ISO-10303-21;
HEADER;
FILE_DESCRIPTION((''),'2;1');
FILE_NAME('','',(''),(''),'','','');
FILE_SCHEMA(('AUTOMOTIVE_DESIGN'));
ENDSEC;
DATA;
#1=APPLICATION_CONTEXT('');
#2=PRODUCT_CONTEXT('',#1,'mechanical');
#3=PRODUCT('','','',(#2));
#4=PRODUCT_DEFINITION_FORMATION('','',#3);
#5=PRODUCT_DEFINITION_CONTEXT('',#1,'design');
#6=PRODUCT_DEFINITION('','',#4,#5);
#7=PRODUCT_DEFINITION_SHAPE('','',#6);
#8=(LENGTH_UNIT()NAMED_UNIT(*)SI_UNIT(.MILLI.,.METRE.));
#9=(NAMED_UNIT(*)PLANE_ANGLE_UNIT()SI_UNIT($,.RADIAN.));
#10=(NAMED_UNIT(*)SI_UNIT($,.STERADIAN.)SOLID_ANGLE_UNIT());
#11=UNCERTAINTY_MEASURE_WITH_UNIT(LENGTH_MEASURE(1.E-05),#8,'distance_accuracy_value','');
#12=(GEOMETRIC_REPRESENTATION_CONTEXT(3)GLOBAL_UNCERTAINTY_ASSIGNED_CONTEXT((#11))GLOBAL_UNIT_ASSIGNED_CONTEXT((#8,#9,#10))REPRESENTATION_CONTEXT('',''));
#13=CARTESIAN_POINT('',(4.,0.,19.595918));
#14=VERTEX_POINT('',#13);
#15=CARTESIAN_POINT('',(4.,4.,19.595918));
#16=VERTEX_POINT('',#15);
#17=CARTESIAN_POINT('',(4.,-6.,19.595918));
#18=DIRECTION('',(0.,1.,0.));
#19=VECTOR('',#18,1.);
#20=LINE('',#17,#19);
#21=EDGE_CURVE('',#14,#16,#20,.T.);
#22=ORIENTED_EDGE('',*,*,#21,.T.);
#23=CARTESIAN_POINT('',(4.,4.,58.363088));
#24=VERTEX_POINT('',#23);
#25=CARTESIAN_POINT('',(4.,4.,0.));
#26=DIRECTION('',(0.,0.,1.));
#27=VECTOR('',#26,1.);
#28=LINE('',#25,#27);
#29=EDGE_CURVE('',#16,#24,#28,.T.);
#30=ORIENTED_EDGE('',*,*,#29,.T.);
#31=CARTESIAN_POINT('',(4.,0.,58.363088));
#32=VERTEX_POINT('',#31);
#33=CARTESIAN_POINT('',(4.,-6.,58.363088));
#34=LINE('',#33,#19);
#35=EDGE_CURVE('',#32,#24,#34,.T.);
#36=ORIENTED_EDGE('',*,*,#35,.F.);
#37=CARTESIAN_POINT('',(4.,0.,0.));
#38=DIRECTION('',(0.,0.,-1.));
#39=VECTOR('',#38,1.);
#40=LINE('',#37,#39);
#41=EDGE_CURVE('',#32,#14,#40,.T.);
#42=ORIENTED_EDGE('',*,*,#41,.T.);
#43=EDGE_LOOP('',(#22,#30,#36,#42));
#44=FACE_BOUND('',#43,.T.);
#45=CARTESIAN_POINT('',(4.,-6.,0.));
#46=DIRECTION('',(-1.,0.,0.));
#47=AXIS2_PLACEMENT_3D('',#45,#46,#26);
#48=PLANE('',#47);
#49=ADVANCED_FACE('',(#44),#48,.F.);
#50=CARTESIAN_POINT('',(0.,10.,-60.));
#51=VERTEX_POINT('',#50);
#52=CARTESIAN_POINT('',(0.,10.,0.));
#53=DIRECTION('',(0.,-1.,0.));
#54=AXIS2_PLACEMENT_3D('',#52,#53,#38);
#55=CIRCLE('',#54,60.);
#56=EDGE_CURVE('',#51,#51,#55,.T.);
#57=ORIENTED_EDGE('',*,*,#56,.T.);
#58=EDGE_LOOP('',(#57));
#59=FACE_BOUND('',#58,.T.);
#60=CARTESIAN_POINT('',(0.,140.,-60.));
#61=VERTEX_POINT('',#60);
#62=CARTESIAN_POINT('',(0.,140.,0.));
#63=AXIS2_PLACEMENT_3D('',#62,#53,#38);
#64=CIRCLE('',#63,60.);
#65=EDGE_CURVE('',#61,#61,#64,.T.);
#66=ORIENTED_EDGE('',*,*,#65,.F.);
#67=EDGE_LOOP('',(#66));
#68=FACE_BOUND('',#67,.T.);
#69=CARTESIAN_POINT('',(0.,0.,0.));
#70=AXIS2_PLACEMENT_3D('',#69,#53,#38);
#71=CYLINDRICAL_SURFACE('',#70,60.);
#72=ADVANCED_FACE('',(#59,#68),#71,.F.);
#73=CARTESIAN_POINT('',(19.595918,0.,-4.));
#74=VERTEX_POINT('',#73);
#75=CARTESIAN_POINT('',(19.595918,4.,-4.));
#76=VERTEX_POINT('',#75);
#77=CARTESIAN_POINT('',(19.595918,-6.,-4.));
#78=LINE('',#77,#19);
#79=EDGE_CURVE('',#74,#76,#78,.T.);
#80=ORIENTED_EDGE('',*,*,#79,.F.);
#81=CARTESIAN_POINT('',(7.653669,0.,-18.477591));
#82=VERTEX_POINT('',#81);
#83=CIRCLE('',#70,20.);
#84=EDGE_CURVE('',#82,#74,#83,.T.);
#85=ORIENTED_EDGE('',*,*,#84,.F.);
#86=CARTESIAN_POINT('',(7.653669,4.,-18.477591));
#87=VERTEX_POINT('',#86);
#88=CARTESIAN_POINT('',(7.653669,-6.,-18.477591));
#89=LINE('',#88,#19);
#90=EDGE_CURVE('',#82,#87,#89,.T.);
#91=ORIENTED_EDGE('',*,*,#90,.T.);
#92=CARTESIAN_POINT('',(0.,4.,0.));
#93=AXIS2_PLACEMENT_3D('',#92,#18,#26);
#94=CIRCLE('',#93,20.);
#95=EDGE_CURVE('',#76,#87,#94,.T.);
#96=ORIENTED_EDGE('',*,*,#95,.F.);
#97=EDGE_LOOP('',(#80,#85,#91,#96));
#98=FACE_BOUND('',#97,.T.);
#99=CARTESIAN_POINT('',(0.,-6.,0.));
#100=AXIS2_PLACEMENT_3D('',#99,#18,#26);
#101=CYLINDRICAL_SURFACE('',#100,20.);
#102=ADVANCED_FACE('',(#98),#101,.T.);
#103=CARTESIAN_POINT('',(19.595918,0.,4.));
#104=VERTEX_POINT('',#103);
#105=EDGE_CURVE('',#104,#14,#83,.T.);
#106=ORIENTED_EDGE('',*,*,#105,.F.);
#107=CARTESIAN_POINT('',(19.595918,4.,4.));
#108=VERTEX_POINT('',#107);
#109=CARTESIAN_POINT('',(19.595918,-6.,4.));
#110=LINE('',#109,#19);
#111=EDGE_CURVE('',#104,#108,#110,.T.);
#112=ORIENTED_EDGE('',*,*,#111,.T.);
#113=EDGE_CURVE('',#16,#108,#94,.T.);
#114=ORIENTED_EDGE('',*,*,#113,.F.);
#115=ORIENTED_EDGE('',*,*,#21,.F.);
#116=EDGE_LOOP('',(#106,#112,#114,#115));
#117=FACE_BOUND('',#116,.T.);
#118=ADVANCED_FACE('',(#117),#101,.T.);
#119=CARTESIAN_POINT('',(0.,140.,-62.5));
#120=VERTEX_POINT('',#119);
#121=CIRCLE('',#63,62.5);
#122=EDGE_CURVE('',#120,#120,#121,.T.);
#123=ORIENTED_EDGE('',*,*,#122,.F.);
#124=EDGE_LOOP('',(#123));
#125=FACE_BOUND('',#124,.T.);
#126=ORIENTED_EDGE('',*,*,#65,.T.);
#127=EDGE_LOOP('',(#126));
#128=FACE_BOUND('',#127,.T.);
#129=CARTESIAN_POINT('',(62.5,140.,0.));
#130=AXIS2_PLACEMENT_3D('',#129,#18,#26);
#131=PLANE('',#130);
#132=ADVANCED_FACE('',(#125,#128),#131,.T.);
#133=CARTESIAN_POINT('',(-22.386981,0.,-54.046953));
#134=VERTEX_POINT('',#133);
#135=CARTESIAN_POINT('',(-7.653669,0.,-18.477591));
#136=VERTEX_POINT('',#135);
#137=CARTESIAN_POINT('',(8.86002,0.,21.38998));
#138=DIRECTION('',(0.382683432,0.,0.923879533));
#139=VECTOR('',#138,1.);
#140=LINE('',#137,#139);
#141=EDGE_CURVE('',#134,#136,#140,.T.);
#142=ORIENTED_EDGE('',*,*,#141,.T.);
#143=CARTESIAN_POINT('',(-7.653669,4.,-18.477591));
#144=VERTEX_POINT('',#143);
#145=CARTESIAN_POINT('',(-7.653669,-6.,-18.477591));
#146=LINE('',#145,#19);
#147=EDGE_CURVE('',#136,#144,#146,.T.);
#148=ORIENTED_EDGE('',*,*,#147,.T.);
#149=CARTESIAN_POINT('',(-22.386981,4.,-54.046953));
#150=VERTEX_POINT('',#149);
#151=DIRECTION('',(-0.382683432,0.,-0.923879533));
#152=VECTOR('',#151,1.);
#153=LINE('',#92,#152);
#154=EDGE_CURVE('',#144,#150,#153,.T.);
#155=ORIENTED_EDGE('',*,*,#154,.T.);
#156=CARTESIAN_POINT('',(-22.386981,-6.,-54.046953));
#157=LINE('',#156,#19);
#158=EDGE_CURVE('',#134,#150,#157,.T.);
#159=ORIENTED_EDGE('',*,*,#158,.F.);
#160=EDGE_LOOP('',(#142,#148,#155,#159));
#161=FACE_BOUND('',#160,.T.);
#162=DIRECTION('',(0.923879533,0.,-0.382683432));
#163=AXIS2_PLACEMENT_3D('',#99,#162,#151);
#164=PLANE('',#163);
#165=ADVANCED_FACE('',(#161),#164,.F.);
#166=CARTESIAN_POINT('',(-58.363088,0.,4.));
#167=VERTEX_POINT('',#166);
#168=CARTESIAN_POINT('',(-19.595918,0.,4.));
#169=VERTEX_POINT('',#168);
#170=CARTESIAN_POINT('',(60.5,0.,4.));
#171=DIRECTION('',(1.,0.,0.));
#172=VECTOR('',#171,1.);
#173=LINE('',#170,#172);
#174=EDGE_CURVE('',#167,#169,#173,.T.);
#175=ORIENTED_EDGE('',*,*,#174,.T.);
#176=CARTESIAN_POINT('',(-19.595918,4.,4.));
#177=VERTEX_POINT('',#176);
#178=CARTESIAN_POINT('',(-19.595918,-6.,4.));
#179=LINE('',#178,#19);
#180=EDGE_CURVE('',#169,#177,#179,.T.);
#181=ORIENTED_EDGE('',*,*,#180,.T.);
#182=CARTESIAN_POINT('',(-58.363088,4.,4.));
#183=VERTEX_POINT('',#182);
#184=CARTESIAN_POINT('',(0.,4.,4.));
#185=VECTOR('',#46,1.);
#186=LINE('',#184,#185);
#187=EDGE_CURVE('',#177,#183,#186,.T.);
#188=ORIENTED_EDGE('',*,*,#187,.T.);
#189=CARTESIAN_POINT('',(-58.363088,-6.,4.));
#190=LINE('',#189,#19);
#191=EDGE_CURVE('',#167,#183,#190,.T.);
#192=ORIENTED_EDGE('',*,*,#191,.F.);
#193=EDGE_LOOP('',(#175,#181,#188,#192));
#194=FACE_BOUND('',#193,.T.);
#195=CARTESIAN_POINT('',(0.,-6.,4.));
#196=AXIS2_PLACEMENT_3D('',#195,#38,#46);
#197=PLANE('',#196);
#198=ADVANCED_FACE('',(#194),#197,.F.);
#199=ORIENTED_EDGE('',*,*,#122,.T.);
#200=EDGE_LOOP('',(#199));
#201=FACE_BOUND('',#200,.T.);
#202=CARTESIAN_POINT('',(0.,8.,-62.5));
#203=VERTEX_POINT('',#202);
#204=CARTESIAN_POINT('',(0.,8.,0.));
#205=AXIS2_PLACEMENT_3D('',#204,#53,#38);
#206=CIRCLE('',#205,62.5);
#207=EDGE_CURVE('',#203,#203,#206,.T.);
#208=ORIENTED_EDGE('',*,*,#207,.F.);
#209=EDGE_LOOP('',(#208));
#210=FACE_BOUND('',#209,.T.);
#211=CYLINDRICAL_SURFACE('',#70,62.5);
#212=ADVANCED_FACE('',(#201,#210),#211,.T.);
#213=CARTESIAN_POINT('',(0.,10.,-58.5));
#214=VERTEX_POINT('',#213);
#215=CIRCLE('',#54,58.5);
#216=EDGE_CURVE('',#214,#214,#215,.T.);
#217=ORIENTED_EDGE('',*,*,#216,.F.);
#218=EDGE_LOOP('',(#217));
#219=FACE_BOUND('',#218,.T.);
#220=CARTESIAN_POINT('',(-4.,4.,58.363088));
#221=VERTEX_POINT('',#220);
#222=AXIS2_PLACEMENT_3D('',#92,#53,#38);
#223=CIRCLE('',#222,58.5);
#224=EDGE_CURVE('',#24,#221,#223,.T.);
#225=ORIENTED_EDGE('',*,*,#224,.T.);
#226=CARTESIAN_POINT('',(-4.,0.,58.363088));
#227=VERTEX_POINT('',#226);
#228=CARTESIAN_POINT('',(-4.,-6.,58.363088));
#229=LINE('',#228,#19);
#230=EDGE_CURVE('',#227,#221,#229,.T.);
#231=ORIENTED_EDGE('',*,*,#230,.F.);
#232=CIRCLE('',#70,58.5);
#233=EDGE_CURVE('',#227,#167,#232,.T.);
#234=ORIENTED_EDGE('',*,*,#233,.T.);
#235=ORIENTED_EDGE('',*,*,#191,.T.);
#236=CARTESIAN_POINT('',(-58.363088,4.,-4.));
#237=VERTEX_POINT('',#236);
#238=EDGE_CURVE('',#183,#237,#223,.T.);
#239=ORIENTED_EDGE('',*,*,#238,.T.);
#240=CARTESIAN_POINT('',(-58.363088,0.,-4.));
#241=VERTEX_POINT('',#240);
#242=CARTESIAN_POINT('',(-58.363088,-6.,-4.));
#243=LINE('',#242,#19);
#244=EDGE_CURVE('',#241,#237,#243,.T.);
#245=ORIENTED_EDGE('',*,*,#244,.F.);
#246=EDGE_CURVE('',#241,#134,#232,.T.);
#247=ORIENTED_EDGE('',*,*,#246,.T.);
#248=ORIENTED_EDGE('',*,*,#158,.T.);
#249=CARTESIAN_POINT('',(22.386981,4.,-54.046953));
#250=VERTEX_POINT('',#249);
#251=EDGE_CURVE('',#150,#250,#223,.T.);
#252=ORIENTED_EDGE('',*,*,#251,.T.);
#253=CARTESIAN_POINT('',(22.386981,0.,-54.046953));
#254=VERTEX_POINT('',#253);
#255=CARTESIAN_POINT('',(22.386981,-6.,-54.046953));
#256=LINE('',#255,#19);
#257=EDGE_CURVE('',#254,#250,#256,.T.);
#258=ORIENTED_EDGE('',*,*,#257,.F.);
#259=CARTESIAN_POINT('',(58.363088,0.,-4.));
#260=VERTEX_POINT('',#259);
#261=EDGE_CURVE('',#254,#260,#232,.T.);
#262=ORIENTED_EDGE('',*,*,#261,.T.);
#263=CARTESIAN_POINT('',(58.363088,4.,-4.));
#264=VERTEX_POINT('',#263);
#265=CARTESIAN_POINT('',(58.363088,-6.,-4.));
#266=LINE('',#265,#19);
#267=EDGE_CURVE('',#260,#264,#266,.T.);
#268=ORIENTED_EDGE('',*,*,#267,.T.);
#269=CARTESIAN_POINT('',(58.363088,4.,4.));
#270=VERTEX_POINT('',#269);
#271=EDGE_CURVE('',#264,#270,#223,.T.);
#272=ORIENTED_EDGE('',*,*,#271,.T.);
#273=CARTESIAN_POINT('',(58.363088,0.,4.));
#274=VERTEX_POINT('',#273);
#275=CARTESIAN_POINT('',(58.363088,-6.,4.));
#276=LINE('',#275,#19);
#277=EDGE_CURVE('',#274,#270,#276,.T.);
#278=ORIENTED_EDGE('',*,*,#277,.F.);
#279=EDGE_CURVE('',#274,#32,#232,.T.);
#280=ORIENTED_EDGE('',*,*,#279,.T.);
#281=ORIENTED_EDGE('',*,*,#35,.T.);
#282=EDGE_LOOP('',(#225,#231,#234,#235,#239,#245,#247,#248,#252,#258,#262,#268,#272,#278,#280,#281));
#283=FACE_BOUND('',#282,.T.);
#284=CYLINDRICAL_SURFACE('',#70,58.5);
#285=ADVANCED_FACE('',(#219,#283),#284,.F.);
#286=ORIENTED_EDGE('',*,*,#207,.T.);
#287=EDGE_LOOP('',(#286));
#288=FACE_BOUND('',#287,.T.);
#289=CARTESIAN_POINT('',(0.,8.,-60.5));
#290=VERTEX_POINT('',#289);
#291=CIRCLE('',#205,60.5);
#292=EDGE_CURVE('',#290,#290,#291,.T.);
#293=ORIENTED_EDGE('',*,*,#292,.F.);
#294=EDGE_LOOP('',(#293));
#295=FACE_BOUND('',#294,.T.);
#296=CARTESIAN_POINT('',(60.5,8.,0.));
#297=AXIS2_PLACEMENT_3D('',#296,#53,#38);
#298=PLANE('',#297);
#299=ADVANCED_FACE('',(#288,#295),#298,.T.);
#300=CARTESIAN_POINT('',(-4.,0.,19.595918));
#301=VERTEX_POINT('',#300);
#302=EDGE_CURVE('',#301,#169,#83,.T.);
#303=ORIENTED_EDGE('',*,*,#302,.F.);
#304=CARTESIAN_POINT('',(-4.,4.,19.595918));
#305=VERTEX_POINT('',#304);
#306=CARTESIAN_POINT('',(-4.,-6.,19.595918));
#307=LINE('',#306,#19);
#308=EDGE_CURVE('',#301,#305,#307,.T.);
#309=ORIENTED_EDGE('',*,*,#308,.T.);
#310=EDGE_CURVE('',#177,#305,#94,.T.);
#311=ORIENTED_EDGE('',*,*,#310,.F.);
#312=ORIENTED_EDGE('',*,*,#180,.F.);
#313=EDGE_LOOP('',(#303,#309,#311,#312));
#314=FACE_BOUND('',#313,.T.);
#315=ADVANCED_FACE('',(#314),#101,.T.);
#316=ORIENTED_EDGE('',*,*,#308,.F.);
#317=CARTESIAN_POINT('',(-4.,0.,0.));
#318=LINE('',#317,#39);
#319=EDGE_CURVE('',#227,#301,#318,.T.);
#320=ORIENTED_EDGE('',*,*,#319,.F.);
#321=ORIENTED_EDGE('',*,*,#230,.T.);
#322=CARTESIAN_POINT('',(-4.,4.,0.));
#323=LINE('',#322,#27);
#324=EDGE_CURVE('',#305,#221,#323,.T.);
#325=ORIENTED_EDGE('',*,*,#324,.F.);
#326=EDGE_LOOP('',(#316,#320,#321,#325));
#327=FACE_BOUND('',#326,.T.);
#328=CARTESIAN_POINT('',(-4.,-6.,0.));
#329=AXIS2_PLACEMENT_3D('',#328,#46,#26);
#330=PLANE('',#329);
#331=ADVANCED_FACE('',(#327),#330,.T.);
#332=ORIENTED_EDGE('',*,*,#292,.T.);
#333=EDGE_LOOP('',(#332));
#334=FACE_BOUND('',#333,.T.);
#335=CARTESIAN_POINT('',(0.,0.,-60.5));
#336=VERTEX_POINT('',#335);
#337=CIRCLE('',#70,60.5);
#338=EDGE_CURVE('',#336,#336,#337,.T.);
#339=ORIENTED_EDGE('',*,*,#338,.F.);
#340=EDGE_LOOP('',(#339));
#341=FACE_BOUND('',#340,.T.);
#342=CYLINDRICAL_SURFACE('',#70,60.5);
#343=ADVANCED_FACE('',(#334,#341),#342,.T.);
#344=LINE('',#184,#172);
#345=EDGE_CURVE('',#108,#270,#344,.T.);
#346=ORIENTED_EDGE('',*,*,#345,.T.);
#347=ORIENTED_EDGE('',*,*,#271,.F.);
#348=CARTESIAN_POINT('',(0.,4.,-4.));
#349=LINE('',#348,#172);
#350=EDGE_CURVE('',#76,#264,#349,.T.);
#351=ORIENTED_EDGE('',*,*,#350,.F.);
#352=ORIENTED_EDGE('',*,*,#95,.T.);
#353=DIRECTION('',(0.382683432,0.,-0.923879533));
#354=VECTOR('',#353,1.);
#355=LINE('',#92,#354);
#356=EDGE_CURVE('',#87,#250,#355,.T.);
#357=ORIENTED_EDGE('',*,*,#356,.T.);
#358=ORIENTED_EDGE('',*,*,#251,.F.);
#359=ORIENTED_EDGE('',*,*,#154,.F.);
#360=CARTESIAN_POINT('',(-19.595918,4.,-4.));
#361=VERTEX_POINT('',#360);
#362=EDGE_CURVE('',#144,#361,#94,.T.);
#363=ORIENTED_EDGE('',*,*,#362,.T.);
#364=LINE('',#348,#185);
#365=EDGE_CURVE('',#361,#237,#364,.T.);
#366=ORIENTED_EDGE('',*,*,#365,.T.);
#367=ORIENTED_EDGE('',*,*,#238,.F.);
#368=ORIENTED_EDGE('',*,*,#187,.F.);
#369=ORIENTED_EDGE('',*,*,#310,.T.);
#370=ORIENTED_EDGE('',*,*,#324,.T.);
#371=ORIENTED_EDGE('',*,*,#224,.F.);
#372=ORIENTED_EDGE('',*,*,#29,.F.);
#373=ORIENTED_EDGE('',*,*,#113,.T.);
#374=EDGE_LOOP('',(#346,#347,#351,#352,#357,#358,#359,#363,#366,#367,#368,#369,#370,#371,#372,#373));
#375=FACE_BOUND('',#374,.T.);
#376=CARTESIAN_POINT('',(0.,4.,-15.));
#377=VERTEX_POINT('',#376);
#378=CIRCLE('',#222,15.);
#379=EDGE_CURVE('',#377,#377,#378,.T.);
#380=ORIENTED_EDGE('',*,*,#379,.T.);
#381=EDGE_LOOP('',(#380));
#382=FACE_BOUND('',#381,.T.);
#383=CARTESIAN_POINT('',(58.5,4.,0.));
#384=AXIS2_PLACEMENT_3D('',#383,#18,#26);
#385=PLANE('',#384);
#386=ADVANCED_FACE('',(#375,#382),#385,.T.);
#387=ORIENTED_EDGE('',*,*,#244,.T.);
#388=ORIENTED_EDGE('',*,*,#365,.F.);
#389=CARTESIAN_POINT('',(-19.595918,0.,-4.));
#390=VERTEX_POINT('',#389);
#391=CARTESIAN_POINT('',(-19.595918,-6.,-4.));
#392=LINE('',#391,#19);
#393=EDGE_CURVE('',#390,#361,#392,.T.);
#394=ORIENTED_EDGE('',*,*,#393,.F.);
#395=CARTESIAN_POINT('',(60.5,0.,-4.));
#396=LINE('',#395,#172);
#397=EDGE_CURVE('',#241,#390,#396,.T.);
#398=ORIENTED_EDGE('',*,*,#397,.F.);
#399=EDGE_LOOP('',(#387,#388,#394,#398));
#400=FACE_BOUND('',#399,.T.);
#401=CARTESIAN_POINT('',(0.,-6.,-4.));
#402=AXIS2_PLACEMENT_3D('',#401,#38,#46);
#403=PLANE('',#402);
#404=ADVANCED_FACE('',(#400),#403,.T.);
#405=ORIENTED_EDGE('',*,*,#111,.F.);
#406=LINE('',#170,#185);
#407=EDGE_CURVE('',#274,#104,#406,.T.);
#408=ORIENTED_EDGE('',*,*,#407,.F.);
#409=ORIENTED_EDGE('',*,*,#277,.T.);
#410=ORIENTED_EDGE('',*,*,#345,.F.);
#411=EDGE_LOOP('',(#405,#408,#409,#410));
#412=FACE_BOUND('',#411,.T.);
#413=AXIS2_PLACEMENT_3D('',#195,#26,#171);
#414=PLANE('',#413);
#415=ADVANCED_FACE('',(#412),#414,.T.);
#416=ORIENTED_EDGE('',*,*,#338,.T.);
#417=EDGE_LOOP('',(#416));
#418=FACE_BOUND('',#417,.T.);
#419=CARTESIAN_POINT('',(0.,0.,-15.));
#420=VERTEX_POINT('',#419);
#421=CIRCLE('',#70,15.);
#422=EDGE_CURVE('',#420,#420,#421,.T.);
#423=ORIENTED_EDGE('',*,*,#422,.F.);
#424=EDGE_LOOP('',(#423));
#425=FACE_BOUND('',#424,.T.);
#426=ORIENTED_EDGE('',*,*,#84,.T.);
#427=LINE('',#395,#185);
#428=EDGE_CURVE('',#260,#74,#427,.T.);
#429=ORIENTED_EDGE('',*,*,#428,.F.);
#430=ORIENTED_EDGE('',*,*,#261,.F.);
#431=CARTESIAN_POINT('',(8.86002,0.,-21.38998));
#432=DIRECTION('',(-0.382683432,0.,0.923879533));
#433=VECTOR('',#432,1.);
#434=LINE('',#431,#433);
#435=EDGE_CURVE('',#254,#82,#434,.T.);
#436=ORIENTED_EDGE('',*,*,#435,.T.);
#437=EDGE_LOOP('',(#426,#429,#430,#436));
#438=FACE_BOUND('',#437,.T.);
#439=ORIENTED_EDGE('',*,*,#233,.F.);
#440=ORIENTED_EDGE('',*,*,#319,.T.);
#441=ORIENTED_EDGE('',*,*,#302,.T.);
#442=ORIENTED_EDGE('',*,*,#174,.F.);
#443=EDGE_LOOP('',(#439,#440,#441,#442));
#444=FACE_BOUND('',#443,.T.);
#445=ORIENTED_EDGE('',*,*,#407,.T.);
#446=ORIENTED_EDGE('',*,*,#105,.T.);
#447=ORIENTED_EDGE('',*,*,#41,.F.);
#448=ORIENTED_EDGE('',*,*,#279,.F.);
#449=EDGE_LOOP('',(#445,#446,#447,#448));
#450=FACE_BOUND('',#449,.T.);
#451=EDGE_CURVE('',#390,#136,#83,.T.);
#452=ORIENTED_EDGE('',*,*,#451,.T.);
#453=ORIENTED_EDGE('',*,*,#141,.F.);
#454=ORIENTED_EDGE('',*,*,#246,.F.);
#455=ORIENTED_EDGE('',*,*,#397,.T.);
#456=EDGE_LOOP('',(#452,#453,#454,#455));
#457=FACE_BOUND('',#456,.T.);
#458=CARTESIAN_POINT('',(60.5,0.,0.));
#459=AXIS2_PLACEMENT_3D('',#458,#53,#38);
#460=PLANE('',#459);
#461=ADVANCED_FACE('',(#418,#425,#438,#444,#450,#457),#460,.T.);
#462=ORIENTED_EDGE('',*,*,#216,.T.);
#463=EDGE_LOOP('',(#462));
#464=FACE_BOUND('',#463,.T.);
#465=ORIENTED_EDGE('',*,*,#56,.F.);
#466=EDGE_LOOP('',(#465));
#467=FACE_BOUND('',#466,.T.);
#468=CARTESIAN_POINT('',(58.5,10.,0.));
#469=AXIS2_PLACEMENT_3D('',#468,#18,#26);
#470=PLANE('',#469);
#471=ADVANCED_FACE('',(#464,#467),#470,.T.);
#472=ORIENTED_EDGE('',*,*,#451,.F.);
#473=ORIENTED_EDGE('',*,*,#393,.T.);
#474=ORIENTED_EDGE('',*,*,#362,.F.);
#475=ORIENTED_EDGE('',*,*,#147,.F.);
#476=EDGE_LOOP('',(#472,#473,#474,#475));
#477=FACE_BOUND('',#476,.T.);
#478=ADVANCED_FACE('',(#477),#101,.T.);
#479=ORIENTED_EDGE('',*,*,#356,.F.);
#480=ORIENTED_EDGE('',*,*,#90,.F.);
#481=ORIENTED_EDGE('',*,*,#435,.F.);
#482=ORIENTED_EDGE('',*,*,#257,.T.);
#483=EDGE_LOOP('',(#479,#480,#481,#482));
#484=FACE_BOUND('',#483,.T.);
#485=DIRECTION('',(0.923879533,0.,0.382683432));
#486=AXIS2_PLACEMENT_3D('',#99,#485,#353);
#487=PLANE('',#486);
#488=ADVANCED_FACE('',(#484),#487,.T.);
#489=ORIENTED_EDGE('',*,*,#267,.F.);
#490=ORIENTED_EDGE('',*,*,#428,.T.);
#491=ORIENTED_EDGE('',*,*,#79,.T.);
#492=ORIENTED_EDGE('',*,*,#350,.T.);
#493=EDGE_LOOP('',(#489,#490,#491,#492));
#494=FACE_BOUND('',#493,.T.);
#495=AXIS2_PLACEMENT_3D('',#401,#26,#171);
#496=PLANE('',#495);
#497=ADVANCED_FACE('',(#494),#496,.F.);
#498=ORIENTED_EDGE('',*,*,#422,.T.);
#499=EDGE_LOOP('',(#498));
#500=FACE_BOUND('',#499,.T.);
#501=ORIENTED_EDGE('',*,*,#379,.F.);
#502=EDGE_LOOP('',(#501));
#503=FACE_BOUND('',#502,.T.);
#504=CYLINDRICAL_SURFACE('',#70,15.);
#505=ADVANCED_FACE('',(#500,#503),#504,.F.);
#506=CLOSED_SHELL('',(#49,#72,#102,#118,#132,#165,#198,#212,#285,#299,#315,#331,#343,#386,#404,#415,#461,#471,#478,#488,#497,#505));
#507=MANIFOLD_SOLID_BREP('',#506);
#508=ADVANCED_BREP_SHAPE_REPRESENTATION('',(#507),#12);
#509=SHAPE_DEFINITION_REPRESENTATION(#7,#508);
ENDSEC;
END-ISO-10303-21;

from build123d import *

# Parameters (mm, degrees)
CUT_EXTRUDE1_DEPTH = 10


with BuildPart() as part:
    # Sketch1 → Revolve1 (revolve)
    with BuildSketch(Plane.XY):
        Polygon((60.5, 0), (15, 0), (15, 4), (58.5, 4), (58.5, 10), (60, 10), (60, 140), (62.5, 140), (62.5, 8), (60.5, 8), align=None)
    revolve(axis=Axis((0, 0, 0), (0, 1, 0)))

    # Sketch2 → Cut-Extrude1 (cut)
    with BuildSketch(Plane(origin=(0, 4, 0), x_dir=(1, 0, 0), z_dir=(0, 1, 0))):
        with BuildLine():
            ThreePointArc((19.595917942, -4), (14.142135624, -14.142135624), (4, -19.595917942))
            Line((4, -19.595917942), (4, -58.36308765))
            ThreePointArc((4, -58.36308765), (41.365746699, -41.365746699), (58.36308765, -4))
            Line((58.36308765, -4), (19.595917942, -4))
        make_face()
        with BuildLine():
            Line((22.386980793, 54.046952652), (7.653668647, 18.47759065))
            ThreePointArc((7.653668647, 18.47759065), (15.428387799, 12.726541161), (19.595917942, 4))
            Line((19.595917942, 4), (58.36308765, 4))
            ThreePointArc((58.36308765, 4), (47.500713214, 34.145750016), (22.386980793, 54.046952652))
        make_face()
        with BuildLine():
            ThreePointArc((-19.595917942, 4), (-15.428387799, 12.726541161), (-7.653668647, 18.47759065))
            Line((-7.653668647, 18.47759065), (-22.386980793, 54.046952652))
            ThreePointArc((-22.386980793, 54.046952652), (-47.500713214, 34.145750016), (-58.36308765, 4))
            Line((-58.36308765, 4), (-19.595917942, 4))
        make_face()
        with BuildLine():
            Line((-4, -58.36308765), (-4, -19.595917942))
            ThreePointArc((-4, -19.595917942), (-14.142135624, -14.142135624), (-19.595917942, -4))
            Line((-19.595917942, -4), (-58.36308765, -4))
            ThreePointArc((-58.36308765, -4), (-41.365746699, -41.365746699), (-4, -58.36308765))
        make_face()
    extrude(amount=-CUT_EXTRUDE1_DEPTH, mode=Mode.SUBTRACT)


solid = part.part
